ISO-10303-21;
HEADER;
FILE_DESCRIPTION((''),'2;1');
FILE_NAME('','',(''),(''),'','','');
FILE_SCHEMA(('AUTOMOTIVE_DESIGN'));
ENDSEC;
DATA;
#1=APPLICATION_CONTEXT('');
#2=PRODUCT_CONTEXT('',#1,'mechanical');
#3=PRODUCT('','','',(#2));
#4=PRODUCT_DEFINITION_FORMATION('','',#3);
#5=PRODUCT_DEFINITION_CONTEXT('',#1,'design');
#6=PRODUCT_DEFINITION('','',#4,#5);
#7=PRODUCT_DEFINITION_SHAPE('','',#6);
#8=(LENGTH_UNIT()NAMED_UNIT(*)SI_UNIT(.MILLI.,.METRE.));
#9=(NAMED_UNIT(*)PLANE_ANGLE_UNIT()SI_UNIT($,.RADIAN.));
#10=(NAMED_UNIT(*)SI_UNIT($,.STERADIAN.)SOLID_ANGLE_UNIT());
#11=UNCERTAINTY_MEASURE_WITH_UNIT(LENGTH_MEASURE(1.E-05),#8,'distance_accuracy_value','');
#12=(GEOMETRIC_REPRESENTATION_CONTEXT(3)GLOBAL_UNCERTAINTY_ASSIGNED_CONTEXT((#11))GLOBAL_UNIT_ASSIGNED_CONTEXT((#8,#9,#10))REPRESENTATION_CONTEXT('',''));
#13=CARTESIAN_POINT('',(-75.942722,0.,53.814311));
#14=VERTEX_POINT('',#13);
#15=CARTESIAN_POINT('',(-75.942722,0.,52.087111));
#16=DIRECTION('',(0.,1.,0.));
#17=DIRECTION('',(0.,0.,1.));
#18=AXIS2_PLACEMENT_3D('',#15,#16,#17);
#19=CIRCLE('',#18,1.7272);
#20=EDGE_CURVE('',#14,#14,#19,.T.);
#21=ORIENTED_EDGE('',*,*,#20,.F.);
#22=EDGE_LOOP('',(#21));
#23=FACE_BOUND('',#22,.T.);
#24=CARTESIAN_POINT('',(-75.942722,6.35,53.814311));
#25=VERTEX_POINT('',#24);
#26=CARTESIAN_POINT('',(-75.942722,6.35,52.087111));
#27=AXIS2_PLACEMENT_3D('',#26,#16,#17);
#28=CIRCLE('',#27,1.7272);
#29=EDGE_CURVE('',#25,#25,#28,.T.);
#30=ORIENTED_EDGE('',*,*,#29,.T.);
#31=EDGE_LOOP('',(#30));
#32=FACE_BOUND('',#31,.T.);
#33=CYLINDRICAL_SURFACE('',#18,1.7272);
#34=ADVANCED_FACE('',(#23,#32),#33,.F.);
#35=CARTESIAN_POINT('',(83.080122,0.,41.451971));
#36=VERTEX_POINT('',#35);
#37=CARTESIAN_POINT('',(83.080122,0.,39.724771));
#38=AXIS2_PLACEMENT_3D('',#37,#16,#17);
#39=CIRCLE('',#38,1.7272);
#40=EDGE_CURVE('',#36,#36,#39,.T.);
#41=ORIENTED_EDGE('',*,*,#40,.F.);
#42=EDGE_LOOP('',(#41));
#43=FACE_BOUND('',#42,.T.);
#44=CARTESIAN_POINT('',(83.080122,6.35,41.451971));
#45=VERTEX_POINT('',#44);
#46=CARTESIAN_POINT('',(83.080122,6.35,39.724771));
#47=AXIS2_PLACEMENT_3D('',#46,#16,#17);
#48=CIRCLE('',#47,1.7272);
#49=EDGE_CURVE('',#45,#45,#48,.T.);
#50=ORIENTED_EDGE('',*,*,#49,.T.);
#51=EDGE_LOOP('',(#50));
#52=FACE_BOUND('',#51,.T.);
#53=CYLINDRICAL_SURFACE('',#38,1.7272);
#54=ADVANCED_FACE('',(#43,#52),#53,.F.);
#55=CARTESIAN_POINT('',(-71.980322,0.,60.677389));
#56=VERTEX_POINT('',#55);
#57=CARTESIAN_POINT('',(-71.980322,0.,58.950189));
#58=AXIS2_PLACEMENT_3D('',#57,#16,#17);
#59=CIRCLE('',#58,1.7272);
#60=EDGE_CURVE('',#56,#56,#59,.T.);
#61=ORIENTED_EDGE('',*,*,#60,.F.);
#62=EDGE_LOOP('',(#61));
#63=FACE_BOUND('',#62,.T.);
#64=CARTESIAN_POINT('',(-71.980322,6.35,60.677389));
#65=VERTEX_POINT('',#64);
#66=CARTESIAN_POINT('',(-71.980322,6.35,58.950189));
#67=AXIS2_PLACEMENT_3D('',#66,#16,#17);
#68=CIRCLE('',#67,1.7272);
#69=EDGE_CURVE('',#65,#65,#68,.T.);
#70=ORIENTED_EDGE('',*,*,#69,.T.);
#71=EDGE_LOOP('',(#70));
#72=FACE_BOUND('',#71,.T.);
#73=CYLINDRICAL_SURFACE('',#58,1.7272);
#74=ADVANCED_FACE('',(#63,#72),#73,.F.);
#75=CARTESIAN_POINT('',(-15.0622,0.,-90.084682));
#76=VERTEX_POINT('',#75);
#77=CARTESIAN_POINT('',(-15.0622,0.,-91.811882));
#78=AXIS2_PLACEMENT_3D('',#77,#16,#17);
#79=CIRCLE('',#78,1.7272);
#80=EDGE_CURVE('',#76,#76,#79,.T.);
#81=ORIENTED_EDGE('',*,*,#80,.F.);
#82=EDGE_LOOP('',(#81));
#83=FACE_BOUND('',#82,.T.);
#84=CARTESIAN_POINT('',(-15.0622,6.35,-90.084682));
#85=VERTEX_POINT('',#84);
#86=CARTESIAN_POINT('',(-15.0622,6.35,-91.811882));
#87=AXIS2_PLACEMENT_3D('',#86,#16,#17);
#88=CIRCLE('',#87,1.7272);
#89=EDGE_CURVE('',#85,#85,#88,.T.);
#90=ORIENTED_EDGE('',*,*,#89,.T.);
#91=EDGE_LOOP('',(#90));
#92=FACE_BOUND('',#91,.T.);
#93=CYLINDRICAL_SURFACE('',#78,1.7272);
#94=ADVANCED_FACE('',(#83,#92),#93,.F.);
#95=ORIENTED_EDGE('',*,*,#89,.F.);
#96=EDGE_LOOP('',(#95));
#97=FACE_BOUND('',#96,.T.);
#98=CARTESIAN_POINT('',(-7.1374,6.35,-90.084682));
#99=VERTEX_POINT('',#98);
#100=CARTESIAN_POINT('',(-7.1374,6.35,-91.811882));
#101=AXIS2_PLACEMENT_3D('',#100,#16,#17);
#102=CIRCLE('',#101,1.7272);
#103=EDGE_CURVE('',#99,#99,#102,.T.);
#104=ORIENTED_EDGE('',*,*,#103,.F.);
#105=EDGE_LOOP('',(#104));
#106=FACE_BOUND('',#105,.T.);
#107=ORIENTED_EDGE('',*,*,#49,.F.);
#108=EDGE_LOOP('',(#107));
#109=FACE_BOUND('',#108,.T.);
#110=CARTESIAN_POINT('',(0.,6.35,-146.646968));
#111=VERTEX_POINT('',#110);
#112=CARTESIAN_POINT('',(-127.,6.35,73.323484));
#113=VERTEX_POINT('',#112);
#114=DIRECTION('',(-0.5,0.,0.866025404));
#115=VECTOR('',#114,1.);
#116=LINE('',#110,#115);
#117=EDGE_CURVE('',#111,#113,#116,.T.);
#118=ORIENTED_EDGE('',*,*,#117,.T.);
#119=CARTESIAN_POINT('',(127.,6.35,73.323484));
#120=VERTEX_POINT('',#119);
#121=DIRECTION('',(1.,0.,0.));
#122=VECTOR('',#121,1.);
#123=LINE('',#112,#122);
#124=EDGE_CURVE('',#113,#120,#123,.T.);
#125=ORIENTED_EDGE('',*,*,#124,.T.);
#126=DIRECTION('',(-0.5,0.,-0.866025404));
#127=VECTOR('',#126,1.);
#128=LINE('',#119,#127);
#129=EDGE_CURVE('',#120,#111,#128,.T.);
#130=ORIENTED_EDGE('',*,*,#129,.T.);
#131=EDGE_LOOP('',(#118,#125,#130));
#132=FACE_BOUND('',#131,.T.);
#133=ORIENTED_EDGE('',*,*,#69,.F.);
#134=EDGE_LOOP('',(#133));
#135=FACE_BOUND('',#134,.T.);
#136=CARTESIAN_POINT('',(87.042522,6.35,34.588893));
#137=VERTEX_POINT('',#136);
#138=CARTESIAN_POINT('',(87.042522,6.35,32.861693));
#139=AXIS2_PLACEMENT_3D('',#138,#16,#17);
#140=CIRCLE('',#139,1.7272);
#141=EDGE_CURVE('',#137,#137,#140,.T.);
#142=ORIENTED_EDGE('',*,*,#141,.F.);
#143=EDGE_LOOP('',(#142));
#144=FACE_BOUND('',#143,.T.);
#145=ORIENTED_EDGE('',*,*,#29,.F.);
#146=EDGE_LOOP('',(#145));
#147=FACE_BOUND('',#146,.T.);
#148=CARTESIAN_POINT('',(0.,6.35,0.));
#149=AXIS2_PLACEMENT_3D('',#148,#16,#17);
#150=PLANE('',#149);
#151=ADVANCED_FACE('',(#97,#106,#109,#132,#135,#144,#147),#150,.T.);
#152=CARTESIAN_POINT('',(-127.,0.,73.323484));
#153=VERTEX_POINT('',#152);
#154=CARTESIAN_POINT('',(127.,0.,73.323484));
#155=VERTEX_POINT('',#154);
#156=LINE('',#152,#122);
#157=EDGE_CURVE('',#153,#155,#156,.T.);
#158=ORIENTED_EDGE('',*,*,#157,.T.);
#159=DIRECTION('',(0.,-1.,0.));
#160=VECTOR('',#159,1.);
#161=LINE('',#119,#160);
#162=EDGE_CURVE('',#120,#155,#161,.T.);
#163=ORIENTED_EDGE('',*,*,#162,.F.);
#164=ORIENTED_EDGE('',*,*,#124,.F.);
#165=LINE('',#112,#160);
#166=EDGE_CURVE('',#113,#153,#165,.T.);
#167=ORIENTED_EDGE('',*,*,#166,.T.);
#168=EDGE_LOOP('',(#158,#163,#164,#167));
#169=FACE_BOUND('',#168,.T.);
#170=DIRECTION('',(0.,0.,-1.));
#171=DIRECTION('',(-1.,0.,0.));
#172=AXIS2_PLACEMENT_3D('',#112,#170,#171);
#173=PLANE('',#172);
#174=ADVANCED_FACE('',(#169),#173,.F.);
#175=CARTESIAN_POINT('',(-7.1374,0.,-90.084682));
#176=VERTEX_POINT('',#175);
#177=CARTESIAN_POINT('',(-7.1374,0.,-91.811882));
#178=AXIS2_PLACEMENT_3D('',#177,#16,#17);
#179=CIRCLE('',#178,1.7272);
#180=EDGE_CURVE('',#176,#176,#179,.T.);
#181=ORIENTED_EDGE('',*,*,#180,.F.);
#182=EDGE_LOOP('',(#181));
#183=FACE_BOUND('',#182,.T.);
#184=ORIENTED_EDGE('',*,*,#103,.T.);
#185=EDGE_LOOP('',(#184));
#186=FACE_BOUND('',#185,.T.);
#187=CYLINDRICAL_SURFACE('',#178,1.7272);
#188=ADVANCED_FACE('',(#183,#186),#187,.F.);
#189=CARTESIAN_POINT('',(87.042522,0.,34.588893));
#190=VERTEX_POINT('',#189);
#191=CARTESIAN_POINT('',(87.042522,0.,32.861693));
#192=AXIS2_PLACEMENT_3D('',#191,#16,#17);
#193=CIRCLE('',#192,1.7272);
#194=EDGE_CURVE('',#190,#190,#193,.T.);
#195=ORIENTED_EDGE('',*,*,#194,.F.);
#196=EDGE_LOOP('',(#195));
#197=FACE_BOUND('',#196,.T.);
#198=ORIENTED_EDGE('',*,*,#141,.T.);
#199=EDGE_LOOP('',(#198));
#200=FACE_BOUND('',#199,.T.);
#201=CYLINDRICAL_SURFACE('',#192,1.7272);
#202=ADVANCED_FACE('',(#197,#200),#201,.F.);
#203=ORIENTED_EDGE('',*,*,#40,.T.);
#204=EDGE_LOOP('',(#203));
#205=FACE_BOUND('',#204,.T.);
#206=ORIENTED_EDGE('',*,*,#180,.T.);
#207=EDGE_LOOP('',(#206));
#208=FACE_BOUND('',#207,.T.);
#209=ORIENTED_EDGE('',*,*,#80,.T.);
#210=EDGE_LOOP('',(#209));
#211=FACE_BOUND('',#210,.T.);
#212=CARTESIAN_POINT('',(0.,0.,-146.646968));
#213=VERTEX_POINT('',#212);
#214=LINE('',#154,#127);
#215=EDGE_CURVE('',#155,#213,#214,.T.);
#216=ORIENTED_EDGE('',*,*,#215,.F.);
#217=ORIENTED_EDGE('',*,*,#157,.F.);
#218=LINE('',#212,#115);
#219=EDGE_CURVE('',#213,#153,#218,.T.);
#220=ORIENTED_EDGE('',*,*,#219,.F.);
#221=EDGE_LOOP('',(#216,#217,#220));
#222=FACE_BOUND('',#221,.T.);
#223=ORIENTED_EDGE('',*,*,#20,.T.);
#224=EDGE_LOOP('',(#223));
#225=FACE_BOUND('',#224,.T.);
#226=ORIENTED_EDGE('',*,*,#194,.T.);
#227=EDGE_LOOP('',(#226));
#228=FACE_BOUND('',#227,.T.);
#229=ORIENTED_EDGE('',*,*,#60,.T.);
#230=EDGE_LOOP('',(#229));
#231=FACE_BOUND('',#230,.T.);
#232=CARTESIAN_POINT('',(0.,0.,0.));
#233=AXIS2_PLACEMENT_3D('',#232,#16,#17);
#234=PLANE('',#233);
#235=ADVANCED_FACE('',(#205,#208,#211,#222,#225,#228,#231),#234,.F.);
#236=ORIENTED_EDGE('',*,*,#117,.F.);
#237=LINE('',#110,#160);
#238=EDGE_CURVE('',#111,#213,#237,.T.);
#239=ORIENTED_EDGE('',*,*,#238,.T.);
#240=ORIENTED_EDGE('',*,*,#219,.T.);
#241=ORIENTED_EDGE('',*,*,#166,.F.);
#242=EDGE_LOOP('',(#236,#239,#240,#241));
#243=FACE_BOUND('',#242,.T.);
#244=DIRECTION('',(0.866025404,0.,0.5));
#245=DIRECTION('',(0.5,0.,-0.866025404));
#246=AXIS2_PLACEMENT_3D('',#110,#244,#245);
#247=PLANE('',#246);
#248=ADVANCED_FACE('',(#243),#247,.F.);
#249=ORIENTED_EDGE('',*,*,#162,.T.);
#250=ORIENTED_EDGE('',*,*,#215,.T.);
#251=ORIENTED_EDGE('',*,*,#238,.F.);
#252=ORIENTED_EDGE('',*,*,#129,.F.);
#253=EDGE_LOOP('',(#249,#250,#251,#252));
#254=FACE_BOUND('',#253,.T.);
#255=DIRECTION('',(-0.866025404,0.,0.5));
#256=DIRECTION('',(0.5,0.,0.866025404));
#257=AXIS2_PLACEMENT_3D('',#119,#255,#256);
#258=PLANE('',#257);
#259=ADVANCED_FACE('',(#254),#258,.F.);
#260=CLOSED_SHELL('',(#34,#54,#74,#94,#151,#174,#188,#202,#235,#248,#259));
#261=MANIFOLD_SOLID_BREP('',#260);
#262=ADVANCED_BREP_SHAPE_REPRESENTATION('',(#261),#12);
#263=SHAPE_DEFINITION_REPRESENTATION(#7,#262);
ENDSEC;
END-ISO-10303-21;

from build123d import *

# Parameters (mm, degrees)
BOSS_EXTRUDE1_DEPTH = 6.35
SKETCH2_R           = 1.7272
CUT_EXTRUDE1_DEPTH  = 195.099602868


with BuildPart() as part:
    # Sketch1 → Boss-Extrude1 (new body)
    with BuildSketch(Plane(origin=(0, 0, 0), x_dir=(1, 0, 0), z_dir=(0, 1, 0))):
        Polygon((0, 146.646968374), (-127, -73.323484187), (127, -73.323484187), align=None)
    extrude(amount=BOSS_EXTRUDE1_DEPTH)

    # Sketch2 → Cut-Extrude1 (cut, through all)
    with BuildSketch(Plane(origin=(0, 6.35, 0), x_dir=(1, 0, 0), z_dir=(0, 1, 0))):
        with Locations((83.080121807, -39.724771067)):
            Circle(SKETCH2_R)
        with Locations((87.042521807, -32.861692947)):
            Circle(SKETCH2_R)
        with Locations((-75.942721807, -52.087110501)):
            Circle(SKETCH2_R)
        with Locations((-71.980321807, -58.950188621)):
            Circle(SKETCH2_R)
        with Locations((-7.1374, 91.811881567)):
            Circle(SKETCH2_R)
        with Locations((-15.0622, 91.811881567)):
            Circle(SKETCH2_R)
    extrude(amount=-CUT_EXTRUDE1_DEPTH, mode=Mode.SUBTRACT)


solid = part.part
